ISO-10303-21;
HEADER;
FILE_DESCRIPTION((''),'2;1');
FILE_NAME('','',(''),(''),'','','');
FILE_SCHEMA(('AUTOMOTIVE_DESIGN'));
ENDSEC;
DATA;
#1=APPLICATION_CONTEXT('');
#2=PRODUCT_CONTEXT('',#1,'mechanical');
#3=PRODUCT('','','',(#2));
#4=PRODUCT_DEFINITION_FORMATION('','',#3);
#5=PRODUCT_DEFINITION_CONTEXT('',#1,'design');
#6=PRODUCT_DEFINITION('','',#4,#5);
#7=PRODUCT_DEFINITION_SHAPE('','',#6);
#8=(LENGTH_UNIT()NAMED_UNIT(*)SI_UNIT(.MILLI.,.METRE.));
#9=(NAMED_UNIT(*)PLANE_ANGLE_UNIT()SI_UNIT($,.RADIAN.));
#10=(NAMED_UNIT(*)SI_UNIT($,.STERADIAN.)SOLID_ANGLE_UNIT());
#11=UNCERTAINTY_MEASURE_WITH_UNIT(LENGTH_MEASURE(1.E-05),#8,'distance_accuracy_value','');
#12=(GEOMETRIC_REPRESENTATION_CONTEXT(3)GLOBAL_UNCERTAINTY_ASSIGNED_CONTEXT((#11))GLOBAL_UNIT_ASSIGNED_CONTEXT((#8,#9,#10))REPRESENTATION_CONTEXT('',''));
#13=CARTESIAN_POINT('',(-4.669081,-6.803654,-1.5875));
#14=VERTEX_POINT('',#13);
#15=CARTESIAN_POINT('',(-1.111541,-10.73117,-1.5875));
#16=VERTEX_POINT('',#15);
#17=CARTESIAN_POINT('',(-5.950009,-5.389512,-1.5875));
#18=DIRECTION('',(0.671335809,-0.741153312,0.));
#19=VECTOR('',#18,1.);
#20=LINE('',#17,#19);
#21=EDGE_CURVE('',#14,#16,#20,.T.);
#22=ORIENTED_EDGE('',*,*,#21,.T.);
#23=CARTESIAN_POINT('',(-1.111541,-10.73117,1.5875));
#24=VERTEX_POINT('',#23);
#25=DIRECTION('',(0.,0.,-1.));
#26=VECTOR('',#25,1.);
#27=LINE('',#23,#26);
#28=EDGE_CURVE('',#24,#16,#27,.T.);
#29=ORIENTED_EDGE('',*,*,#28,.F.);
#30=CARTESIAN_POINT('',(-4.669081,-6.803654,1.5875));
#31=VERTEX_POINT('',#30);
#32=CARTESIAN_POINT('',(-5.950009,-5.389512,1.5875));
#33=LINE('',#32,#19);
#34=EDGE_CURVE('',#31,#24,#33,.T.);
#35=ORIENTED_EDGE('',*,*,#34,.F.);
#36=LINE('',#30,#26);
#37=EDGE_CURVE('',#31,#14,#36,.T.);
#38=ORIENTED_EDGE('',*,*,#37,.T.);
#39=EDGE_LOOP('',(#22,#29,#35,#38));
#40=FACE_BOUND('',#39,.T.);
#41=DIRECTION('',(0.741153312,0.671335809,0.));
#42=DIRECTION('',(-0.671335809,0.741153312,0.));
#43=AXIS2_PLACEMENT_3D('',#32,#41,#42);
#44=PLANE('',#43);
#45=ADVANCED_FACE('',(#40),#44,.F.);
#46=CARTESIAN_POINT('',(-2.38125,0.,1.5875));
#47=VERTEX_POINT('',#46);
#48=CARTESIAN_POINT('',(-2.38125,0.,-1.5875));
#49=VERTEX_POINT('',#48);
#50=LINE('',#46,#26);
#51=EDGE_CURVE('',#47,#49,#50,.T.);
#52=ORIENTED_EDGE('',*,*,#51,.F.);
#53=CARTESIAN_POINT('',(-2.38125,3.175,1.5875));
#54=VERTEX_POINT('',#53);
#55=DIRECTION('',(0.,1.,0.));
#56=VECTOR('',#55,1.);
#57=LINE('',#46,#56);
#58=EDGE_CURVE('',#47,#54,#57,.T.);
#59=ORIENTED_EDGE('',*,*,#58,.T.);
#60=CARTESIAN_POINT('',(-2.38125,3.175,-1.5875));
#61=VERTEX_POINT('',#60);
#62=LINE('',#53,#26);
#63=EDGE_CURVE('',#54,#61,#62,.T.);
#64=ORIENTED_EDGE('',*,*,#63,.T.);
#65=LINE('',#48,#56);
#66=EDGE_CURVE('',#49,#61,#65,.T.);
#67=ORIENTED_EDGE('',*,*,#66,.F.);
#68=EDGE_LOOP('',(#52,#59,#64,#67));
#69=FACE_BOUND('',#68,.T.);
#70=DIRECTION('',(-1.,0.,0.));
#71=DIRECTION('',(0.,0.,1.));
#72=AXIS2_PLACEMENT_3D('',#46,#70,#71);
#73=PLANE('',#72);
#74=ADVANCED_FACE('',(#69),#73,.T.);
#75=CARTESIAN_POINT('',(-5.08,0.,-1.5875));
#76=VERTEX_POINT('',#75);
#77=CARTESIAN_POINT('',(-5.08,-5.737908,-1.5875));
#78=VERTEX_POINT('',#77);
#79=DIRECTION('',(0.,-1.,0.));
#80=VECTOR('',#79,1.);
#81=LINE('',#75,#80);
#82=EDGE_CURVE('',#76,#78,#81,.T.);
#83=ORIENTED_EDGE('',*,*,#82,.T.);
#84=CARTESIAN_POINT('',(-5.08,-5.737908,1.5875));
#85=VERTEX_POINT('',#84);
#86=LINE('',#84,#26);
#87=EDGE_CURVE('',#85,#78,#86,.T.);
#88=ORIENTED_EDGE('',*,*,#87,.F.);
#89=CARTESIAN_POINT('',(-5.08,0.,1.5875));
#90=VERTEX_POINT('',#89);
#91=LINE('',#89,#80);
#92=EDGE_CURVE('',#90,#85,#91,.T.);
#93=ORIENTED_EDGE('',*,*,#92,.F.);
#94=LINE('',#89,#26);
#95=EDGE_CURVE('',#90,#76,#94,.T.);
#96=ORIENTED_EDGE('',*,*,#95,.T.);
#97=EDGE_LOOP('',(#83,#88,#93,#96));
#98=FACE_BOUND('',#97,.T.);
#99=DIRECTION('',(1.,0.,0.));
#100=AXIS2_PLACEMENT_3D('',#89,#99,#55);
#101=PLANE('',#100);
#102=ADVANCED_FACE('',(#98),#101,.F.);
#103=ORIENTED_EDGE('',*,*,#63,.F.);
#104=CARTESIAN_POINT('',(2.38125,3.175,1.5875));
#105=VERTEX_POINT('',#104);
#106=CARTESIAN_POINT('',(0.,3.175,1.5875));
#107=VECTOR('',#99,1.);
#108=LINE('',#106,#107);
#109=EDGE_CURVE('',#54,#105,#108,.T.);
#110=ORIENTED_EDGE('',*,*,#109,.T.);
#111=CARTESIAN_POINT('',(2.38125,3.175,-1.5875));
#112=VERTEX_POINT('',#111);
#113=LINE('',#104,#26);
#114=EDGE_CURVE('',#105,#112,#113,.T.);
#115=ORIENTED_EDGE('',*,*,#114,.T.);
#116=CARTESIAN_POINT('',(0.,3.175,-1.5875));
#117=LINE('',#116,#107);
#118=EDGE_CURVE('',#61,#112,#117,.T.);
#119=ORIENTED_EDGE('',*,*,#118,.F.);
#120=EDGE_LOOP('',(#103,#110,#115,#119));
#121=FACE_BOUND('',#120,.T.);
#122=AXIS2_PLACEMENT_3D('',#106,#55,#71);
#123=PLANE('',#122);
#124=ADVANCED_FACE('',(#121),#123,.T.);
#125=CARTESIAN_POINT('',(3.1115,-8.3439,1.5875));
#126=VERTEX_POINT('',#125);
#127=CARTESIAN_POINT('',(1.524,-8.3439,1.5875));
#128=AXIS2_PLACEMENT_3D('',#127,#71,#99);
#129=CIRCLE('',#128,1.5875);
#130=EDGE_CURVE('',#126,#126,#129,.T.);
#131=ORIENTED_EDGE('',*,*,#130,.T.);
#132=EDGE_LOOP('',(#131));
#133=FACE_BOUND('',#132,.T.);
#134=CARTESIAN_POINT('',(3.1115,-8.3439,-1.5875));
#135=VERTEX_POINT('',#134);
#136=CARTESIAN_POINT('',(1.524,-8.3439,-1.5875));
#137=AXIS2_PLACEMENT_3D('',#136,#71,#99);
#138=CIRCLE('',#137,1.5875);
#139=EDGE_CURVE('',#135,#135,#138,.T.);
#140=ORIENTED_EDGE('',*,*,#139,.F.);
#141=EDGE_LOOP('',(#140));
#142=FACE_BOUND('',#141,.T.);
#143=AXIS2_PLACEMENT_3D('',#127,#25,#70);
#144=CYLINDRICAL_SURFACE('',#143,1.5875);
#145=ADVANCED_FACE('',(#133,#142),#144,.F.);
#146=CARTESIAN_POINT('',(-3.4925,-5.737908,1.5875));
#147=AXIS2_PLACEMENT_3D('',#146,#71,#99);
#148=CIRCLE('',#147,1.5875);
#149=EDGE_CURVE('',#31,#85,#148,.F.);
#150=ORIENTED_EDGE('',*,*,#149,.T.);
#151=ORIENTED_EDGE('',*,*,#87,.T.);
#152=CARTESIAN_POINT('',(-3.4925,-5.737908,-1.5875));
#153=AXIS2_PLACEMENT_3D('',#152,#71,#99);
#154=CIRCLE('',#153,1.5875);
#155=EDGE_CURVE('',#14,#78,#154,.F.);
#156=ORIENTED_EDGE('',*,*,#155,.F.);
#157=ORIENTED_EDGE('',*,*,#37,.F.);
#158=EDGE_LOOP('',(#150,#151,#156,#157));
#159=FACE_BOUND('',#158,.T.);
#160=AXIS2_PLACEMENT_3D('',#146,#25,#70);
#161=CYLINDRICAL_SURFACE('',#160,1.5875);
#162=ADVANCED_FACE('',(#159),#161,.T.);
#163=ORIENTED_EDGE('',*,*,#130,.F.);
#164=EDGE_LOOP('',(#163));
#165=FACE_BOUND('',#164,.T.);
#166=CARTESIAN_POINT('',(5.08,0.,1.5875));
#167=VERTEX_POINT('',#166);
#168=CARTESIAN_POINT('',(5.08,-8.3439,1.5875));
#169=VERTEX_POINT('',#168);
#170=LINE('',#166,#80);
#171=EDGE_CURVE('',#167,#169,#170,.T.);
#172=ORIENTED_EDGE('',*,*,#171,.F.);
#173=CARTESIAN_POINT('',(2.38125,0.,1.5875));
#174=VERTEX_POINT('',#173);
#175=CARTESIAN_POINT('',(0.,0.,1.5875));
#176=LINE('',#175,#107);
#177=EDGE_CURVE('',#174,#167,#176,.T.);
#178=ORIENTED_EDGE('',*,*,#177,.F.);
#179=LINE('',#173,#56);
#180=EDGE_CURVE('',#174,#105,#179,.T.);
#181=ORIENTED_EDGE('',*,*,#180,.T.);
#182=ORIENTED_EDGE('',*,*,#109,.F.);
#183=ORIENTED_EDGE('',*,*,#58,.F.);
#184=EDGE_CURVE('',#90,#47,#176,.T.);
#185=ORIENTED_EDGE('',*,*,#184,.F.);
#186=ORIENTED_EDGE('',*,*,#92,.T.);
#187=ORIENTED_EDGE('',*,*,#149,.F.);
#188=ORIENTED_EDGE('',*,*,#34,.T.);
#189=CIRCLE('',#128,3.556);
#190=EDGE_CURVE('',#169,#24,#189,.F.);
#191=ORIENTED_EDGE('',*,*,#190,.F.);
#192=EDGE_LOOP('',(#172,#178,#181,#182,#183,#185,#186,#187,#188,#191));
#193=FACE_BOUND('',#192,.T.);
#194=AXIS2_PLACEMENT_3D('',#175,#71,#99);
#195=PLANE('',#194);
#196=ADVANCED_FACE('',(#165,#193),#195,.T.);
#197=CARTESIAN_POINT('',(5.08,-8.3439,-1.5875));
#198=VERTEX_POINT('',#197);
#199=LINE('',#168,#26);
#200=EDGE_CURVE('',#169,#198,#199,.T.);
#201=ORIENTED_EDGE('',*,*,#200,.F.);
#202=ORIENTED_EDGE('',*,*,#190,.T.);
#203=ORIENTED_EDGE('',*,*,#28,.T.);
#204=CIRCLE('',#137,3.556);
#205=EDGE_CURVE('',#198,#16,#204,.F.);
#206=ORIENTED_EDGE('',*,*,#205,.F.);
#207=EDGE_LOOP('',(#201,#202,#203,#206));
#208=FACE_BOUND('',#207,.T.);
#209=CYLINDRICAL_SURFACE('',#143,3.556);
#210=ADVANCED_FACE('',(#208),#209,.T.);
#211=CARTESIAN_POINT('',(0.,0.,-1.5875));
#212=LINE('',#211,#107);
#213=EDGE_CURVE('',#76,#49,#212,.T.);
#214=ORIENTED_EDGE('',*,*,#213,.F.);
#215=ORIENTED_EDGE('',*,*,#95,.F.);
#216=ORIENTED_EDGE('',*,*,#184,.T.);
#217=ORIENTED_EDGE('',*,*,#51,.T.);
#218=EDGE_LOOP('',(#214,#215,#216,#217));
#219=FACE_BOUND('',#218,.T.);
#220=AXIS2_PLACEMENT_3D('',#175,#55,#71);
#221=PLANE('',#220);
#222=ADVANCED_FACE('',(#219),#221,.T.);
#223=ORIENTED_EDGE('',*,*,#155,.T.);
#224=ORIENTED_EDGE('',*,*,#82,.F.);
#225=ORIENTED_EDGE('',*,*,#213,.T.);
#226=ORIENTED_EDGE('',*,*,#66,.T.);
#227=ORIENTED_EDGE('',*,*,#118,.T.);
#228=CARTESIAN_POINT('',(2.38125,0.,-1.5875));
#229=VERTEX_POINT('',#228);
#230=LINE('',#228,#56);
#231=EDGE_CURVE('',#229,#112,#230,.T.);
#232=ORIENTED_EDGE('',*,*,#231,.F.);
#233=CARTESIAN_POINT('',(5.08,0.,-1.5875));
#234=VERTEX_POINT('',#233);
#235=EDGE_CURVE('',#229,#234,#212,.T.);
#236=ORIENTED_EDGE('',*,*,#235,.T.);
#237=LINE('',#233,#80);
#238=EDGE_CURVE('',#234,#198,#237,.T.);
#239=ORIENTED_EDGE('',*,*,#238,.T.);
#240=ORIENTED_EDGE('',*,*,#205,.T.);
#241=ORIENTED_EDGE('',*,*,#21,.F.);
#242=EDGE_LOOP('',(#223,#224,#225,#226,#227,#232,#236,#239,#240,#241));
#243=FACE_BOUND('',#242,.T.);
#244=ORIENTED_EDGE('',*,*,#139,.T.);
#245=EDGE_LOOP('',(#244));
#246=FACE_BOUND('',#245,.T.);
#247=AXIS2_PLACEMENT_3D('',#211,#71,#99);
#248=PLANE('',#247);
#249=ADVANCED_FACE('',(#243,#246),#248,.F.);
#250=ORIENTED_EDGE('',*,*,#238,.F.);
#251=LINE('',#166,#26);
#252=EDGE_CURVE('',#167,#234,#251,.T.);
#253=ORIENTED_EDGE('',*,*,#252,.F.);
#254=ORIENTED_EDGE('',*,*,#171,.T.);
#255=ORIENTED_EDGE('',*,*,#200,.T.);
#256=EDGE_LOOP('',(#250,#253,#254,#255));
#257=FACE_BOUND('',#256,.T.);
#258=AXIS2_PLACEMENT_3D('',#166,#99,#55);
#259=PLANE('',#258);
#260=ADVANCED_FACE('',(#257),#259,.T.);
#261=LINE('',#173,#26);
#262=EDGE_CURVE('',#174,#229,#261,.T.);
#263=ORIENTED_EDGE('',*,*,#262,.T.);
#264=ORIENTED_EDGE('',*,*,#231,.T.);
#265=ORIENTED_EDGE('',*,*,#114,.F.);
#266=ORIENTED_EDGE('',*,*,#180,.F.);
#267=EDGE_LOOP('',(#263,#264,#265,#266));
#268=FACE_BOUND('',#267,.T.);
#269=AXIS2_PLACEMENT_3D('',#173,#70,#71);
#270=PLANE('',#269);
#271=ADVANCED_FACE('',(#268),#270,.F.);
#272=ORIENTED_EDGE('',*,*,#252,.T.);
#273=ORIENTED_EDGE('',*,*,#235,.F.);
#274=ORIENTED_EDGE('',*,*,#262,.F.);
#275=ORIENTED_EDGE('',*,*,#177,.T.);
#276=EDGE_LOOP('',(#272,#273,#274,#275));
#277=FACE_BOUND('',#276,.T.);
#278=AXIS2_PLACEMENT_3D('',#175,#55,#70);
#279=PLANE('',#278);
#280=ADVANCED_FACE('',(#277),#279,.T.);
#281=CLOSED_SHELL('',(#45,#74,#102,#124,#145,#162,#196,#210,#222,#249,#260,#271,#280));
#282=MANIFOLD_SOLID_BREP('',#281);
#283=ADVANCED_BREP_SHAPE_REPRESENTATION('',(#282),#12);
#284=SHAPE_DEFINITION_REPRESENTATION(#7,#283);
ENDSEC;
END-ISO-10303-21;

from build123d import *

# Parameters (mm, degrees)
SKETCH1_R           = 1.5875
BOSS_EXTRUDE1_DEPTH = 1.5875


with BuildPart() as part:
    # Sketch1 → Boss-Extrude1 (new body, symmetric)
    with BuildSketch(Plane.XY):
        with BuildLine():
            Line((-5.08, 0), (-5.08, -5.737908239))
            ThreePointArc((-5.08, -5.737908239), (-4.973712071, -6.309018604), (-4.669080882, -6.803653836))
            Line((-4.669080882, -6.803653836), (-1.111541176, -10.731170137))
            ThreePointArc((-1.111541176, -10.731170137), (2.803287219, -11.66181504), (5.08, -8.3439))
            Line((5.08, -8.3439), (5.08, 0))
            Line((5.08, 0), (2.38125, 0))
            Line((2.38125, 0), (2.38125, 3.175))
            Line((2.38125, 3.175), (-2.38125, 3.175))
            Line((-2.38125, 3.175), (-2.38125, 0))
            Line((-2.38125, 0), (-5.08, 0))
        make_face()
        with Locations((1.524, -8.3439)):
            Circle(SKETCH1_R, mode=Mode.SUBTRACT)
    extrude(amount=BOSS_EXTRUDE1_DEPTH, both=True)


solid = part.part
